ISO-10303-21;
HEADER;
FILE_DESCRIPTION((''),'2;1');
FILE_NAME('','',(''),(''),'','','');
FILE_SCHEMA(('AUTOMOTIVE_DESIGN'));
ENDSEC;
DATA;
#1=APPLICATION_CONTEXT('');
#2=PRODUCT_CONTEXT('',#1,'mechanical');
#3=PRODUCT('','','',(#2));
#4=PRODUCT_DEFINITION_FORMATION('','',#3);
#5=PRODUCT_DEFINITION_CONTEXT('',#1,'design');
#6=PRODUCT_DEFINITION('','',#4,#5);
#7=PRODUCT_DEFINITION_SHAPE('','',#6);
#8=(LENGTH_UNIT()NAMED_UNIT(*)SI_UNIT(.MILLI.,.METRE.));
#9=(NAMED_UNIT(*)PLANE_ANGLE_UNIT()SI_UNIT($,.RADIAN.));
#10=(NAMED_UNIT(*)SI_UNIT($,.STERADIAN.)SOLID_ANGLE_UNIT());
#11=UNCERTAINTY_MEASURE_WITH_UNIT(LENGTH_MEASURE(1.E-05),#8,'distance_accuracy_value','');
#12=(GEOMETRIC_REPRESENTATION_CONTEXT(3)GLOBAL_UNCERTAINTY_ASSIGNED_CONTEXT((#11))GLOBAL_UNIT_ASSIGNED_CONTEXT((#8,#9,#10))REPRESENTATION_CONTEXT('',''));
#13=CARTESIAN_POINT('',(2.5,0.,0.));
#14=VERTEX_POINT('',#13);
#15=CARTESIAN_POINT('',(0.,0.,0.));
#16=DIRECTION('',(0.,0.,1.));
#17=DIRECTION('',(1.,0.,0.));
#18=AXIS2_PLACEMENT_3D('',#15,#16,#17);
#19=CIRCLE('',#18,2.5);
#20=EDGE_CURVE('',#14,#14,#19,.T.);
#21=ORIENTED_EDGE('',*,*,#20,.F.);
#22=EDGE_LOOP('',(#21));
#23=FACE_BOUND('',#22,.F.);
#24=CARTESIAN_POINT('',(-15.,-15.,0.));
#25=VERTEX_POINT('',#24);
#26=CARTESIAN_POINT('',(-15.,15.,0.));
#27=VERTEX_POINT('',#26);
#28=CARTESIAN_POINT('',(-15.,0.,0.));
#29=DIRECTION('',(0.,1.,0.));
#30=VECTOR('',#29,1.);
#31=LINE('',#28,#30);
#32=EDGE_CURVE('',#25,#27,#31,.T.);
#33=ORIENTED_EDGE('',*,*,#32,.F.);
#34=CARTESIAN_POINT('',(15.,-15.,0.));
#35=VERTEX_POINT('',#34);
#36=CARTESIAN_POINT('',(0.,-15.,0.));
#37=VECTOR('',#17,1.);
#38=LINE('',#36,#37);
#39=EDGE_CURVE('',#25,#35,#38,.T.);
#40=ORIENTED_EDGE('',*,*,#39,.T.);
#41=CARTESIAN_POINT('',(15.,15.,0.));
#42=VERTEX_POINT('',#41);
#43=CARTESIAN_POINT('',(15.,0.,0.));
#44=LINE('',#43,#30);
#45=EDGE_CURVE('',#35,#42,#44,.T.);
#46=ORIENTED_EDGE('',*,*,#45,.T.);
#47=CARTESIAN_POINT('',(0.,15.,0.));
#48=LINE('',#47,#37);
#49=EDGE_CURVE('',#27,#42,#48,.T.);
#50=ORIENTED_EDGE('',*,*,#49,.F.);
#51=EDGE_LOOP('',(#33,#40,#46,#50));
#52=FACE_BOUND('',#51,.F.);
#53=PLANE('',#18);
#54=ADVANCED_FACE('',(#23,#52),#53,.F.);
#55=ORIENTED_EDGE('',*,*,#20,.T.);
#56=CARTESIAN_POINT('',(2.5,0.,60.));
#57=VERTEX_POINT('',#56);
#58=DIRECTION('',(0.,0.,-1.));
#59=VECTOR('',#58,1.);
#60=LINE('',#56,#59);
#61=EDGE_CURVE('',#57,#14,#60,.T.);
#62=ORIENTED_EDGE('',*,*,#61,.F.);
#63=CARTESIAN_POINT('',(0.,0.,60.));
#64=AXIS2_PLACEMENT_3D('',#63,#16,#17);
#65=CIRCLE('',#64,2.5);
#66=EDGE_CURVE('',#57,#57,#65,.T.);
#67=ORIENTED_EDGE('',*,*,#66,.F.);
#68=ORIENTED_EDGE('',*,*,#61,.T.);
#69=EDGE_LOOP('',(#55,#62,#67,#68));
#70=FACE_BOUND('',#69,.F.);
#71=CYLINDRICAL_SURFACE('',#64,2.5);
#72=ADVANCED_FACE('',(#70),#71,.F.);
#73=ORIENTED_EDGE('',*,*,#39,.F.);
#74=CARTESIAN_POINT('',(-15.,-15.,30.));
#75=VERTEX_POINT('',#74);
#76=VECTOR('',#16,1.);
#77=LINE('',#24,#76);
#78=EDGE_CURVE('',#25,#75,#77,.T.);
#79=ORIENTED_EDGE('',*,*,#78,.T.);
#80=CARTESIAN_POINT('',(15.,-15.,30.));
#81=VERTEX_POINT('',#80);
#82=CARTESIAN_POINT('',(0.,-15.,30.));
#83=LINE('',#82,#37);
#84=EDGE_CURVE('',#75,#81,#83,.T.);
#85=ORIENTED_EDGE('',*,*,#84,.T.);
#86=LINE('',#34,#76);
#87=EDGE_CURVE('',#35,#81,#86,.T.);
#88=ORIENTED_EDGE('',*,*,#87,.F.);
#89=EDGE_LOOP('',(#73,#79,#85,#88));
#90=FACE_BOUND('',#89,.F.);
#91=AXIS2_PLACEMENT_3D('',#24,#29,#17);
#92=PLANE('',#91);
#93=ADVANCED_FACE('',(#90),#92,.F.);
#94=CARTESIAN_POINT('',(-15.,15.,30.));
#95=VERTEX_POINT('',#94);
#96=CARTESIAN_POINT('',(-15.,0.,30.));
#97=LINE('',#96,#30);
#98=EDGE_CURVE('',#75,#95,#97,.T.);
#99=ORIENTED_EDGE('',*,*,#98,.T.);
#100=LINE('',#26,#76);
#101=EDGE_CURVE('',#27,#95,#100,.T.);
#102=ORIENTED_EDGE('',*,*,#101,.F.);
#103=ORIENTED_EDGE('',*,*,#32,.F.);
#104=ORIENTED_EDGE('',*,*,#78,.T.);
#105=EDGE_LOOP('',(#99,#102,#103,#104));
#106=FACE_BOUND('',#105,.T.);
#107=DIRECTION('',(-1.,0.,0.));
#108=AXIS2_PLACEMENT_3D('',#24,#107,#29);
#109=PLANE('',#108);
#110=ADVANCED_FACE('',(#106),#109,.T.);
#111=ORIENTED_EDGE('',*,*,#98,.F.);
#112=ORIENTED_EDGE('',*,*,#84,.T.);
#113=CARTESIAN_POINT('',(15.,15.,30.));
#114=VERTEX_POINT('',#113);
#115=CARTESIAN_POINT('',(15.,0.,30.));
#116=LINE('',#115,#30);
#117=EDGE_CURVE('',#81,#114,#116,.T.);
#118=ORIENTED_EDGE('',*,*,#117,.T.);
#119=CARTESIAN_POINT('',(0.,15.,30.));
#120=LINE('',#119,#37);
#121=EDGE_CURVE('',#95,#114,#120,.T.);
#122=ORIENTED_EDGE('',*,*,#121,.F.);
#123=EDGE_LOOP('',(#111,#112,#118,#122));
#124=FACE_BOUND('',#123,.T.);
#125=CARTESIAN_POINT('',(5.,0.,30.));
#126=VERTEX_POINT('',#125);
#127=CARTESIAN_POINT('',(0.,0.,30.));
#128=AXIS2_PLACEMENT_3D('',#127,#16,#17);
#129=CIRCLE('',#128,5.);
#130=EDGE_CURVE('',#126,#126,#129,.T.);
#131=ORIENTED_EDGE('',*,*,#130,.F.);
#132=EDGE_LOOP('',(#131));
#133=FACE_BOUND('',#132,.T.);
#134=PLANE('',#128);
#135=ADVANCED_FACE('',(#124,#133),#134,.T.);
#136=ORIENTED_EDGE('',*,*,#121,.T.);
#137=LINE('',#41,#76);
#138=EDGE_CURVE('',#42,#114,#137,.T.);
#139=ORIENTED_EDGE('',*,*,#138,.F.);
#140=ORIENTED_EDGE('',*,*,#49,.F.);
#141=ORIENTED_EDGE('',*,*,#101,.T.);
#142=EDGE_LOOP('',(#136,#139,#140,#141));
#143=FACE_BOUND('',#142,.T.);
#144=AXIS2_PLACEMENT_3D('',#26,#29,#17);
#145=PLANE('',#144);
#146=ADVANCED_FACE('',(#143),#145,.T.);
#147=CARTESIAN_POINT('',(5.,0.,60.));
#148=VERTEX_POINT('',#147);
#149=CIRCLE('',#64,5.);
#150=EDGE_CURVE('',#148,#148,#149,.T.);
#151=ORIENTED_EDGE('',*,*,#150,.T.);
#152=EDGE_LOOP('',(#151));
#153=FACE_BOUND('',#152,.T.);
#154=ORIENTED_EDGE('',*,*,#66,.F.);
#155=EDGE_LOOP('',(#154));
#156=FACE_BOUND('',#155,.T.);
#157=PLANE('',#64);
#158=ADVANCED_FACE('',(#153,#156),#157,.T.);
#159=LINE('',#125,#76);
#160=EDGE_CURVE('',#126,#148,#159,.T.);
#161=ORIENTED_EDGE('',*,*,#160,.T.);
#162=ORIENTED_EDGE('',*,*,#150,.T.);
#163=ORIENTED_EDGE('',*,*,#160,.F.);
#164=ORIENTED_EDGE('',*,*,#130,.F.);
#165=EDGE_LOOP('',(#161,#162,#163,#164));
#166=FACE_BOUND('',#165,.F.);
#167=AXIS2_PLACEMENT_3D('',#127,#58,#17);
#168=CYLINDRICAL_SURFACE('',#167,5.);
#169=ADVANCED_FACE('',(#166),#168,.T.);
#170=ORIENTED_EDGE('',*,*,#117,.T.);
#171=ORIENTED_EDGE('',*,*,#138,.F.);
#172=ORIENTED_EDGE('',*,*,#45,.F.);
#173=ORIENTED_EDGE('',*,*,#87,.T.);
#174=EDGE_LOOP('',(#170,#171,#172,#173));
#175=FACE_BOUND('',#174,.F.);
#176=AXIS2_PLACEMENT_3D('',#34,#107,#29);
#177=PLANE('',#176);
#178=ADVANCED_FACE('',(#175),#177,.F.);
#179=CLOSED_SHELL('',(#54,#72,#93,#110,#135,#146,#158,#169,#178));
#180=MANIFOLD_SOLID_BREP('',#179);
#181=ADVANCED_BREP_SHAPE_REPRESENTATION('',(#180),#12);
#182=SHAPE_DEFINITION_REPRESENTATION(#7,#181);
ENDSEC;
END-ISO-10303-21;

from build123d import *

# Parameters (mm, degrees)
F0_W     = 30
F0_H     = 30
F1_DEPTH = 30
F2_R     = 5
F3_DEPTH = 30
F4_R     = 2.5
F5_DEPTH = 60.001


with BuildPart() as f1:
    # F0 (on Top) → F1 (new body)
    with BuildSketch(Plane.XY):
        Rectangle(F0_W, F0_H)
    extrude(amount=F1_DEPTH)

    # F2 (on face) → F3 (join)
    with BuildSketch(Plane.XY.offset(30)):
        Circle(F2_R)
    extrude(amount=F3_DEPTH)

    # F4 (on face) → F5 (cut, through all)
    with BuildSketch(Plane.XY.offset(60)):
        Circle(F4_R)
    extrude(amount=-F5_DEPTH, mode=Mode.SUBTRACT)


solid = f1.part
